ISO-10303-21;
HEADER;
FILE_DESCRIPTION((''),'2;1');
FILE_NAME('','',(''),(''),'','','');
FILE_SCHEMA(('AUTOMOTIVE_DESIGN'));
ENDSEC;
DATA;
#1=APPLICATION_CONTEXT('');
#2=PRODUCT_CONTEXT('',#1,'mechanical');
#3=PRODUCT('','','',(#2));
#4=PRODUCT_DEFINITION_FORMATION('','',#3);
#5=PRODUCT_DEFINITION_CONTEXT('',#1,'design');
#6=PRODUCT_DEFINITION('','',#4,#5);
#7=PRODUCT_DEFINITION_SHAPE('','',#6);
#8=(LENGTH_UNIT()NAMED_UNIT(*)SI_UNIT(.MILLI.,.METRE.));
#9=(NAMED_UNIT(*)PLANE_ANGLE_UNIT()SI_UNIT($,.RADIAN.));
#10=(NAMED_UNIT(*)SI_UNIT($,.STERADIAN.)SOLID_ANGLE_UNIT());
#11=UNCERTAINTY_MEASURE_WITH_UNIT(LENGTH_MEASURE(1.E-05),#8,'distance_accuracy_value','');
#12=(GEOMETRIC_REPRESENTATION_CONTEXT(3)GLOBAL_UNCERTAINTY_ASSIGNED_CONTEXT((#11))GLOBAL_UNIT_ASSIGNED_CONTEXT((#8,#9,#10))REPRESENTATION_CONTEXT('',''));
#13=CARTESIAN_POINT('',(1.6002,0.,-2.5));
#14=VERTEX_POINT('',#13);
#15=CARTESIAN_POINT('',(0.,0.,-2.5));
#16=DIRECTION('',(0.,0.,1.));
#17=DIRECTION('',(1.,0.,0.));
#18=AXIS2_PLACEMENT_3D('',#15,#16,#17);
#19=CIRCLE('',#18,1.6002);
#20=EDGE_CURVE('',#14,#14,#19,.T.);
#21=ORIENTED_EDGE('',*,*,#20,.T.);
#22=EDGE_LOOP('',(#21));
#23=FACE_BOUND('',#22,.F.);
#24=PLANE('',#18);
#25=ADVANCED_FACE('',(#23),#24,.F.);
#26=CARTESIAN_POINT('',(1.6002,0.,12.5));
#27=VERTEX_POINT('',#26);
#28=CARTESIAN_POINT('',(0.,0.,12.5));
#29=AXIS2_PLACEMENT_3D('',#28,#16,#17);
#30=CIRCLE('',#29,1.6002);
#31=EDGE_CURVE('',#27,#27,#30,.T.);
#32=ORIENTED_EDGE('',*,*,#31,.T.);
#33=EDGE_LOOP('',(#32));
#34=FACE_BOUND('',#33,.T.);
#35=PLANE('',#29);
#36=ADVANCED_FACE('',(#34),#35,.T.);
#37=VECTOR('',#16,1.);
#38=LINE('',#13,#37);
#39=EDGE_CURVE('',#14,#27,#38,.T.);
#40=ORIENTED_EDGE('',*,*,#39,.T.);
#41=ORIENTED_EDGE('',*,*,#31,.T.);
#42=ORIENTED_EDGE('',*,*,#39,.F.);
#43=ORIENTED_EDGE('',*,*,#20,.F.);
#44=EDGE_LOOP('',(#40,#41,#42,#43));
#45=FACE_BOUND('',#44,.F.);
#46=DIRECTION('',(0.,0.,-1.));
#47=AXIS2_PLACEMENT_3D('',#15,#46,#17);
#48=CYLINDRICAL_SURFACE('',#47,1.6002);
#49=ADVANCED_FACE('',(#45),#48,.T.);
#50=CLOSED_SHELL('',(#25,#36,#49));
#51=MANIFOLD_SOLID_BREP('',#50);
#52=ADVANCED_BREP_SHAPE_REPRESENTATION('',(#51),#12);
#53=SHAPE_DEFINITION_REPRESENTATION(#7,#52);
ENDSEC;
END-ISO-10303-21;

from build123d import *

# Parameters (mm, degrees)
CYLINDER_R     = 1.6002
CYLINDER_DEPTH = 15


with BuildPart() as part:
    # Cylinder → Cylinder (new body)
    with BuildSketch(Plane.XY.offset(-2.5)):
        Circle(CYLINDER_R)
    extrude(amount=CYLINDER_DEPTH)


solid = part.part
